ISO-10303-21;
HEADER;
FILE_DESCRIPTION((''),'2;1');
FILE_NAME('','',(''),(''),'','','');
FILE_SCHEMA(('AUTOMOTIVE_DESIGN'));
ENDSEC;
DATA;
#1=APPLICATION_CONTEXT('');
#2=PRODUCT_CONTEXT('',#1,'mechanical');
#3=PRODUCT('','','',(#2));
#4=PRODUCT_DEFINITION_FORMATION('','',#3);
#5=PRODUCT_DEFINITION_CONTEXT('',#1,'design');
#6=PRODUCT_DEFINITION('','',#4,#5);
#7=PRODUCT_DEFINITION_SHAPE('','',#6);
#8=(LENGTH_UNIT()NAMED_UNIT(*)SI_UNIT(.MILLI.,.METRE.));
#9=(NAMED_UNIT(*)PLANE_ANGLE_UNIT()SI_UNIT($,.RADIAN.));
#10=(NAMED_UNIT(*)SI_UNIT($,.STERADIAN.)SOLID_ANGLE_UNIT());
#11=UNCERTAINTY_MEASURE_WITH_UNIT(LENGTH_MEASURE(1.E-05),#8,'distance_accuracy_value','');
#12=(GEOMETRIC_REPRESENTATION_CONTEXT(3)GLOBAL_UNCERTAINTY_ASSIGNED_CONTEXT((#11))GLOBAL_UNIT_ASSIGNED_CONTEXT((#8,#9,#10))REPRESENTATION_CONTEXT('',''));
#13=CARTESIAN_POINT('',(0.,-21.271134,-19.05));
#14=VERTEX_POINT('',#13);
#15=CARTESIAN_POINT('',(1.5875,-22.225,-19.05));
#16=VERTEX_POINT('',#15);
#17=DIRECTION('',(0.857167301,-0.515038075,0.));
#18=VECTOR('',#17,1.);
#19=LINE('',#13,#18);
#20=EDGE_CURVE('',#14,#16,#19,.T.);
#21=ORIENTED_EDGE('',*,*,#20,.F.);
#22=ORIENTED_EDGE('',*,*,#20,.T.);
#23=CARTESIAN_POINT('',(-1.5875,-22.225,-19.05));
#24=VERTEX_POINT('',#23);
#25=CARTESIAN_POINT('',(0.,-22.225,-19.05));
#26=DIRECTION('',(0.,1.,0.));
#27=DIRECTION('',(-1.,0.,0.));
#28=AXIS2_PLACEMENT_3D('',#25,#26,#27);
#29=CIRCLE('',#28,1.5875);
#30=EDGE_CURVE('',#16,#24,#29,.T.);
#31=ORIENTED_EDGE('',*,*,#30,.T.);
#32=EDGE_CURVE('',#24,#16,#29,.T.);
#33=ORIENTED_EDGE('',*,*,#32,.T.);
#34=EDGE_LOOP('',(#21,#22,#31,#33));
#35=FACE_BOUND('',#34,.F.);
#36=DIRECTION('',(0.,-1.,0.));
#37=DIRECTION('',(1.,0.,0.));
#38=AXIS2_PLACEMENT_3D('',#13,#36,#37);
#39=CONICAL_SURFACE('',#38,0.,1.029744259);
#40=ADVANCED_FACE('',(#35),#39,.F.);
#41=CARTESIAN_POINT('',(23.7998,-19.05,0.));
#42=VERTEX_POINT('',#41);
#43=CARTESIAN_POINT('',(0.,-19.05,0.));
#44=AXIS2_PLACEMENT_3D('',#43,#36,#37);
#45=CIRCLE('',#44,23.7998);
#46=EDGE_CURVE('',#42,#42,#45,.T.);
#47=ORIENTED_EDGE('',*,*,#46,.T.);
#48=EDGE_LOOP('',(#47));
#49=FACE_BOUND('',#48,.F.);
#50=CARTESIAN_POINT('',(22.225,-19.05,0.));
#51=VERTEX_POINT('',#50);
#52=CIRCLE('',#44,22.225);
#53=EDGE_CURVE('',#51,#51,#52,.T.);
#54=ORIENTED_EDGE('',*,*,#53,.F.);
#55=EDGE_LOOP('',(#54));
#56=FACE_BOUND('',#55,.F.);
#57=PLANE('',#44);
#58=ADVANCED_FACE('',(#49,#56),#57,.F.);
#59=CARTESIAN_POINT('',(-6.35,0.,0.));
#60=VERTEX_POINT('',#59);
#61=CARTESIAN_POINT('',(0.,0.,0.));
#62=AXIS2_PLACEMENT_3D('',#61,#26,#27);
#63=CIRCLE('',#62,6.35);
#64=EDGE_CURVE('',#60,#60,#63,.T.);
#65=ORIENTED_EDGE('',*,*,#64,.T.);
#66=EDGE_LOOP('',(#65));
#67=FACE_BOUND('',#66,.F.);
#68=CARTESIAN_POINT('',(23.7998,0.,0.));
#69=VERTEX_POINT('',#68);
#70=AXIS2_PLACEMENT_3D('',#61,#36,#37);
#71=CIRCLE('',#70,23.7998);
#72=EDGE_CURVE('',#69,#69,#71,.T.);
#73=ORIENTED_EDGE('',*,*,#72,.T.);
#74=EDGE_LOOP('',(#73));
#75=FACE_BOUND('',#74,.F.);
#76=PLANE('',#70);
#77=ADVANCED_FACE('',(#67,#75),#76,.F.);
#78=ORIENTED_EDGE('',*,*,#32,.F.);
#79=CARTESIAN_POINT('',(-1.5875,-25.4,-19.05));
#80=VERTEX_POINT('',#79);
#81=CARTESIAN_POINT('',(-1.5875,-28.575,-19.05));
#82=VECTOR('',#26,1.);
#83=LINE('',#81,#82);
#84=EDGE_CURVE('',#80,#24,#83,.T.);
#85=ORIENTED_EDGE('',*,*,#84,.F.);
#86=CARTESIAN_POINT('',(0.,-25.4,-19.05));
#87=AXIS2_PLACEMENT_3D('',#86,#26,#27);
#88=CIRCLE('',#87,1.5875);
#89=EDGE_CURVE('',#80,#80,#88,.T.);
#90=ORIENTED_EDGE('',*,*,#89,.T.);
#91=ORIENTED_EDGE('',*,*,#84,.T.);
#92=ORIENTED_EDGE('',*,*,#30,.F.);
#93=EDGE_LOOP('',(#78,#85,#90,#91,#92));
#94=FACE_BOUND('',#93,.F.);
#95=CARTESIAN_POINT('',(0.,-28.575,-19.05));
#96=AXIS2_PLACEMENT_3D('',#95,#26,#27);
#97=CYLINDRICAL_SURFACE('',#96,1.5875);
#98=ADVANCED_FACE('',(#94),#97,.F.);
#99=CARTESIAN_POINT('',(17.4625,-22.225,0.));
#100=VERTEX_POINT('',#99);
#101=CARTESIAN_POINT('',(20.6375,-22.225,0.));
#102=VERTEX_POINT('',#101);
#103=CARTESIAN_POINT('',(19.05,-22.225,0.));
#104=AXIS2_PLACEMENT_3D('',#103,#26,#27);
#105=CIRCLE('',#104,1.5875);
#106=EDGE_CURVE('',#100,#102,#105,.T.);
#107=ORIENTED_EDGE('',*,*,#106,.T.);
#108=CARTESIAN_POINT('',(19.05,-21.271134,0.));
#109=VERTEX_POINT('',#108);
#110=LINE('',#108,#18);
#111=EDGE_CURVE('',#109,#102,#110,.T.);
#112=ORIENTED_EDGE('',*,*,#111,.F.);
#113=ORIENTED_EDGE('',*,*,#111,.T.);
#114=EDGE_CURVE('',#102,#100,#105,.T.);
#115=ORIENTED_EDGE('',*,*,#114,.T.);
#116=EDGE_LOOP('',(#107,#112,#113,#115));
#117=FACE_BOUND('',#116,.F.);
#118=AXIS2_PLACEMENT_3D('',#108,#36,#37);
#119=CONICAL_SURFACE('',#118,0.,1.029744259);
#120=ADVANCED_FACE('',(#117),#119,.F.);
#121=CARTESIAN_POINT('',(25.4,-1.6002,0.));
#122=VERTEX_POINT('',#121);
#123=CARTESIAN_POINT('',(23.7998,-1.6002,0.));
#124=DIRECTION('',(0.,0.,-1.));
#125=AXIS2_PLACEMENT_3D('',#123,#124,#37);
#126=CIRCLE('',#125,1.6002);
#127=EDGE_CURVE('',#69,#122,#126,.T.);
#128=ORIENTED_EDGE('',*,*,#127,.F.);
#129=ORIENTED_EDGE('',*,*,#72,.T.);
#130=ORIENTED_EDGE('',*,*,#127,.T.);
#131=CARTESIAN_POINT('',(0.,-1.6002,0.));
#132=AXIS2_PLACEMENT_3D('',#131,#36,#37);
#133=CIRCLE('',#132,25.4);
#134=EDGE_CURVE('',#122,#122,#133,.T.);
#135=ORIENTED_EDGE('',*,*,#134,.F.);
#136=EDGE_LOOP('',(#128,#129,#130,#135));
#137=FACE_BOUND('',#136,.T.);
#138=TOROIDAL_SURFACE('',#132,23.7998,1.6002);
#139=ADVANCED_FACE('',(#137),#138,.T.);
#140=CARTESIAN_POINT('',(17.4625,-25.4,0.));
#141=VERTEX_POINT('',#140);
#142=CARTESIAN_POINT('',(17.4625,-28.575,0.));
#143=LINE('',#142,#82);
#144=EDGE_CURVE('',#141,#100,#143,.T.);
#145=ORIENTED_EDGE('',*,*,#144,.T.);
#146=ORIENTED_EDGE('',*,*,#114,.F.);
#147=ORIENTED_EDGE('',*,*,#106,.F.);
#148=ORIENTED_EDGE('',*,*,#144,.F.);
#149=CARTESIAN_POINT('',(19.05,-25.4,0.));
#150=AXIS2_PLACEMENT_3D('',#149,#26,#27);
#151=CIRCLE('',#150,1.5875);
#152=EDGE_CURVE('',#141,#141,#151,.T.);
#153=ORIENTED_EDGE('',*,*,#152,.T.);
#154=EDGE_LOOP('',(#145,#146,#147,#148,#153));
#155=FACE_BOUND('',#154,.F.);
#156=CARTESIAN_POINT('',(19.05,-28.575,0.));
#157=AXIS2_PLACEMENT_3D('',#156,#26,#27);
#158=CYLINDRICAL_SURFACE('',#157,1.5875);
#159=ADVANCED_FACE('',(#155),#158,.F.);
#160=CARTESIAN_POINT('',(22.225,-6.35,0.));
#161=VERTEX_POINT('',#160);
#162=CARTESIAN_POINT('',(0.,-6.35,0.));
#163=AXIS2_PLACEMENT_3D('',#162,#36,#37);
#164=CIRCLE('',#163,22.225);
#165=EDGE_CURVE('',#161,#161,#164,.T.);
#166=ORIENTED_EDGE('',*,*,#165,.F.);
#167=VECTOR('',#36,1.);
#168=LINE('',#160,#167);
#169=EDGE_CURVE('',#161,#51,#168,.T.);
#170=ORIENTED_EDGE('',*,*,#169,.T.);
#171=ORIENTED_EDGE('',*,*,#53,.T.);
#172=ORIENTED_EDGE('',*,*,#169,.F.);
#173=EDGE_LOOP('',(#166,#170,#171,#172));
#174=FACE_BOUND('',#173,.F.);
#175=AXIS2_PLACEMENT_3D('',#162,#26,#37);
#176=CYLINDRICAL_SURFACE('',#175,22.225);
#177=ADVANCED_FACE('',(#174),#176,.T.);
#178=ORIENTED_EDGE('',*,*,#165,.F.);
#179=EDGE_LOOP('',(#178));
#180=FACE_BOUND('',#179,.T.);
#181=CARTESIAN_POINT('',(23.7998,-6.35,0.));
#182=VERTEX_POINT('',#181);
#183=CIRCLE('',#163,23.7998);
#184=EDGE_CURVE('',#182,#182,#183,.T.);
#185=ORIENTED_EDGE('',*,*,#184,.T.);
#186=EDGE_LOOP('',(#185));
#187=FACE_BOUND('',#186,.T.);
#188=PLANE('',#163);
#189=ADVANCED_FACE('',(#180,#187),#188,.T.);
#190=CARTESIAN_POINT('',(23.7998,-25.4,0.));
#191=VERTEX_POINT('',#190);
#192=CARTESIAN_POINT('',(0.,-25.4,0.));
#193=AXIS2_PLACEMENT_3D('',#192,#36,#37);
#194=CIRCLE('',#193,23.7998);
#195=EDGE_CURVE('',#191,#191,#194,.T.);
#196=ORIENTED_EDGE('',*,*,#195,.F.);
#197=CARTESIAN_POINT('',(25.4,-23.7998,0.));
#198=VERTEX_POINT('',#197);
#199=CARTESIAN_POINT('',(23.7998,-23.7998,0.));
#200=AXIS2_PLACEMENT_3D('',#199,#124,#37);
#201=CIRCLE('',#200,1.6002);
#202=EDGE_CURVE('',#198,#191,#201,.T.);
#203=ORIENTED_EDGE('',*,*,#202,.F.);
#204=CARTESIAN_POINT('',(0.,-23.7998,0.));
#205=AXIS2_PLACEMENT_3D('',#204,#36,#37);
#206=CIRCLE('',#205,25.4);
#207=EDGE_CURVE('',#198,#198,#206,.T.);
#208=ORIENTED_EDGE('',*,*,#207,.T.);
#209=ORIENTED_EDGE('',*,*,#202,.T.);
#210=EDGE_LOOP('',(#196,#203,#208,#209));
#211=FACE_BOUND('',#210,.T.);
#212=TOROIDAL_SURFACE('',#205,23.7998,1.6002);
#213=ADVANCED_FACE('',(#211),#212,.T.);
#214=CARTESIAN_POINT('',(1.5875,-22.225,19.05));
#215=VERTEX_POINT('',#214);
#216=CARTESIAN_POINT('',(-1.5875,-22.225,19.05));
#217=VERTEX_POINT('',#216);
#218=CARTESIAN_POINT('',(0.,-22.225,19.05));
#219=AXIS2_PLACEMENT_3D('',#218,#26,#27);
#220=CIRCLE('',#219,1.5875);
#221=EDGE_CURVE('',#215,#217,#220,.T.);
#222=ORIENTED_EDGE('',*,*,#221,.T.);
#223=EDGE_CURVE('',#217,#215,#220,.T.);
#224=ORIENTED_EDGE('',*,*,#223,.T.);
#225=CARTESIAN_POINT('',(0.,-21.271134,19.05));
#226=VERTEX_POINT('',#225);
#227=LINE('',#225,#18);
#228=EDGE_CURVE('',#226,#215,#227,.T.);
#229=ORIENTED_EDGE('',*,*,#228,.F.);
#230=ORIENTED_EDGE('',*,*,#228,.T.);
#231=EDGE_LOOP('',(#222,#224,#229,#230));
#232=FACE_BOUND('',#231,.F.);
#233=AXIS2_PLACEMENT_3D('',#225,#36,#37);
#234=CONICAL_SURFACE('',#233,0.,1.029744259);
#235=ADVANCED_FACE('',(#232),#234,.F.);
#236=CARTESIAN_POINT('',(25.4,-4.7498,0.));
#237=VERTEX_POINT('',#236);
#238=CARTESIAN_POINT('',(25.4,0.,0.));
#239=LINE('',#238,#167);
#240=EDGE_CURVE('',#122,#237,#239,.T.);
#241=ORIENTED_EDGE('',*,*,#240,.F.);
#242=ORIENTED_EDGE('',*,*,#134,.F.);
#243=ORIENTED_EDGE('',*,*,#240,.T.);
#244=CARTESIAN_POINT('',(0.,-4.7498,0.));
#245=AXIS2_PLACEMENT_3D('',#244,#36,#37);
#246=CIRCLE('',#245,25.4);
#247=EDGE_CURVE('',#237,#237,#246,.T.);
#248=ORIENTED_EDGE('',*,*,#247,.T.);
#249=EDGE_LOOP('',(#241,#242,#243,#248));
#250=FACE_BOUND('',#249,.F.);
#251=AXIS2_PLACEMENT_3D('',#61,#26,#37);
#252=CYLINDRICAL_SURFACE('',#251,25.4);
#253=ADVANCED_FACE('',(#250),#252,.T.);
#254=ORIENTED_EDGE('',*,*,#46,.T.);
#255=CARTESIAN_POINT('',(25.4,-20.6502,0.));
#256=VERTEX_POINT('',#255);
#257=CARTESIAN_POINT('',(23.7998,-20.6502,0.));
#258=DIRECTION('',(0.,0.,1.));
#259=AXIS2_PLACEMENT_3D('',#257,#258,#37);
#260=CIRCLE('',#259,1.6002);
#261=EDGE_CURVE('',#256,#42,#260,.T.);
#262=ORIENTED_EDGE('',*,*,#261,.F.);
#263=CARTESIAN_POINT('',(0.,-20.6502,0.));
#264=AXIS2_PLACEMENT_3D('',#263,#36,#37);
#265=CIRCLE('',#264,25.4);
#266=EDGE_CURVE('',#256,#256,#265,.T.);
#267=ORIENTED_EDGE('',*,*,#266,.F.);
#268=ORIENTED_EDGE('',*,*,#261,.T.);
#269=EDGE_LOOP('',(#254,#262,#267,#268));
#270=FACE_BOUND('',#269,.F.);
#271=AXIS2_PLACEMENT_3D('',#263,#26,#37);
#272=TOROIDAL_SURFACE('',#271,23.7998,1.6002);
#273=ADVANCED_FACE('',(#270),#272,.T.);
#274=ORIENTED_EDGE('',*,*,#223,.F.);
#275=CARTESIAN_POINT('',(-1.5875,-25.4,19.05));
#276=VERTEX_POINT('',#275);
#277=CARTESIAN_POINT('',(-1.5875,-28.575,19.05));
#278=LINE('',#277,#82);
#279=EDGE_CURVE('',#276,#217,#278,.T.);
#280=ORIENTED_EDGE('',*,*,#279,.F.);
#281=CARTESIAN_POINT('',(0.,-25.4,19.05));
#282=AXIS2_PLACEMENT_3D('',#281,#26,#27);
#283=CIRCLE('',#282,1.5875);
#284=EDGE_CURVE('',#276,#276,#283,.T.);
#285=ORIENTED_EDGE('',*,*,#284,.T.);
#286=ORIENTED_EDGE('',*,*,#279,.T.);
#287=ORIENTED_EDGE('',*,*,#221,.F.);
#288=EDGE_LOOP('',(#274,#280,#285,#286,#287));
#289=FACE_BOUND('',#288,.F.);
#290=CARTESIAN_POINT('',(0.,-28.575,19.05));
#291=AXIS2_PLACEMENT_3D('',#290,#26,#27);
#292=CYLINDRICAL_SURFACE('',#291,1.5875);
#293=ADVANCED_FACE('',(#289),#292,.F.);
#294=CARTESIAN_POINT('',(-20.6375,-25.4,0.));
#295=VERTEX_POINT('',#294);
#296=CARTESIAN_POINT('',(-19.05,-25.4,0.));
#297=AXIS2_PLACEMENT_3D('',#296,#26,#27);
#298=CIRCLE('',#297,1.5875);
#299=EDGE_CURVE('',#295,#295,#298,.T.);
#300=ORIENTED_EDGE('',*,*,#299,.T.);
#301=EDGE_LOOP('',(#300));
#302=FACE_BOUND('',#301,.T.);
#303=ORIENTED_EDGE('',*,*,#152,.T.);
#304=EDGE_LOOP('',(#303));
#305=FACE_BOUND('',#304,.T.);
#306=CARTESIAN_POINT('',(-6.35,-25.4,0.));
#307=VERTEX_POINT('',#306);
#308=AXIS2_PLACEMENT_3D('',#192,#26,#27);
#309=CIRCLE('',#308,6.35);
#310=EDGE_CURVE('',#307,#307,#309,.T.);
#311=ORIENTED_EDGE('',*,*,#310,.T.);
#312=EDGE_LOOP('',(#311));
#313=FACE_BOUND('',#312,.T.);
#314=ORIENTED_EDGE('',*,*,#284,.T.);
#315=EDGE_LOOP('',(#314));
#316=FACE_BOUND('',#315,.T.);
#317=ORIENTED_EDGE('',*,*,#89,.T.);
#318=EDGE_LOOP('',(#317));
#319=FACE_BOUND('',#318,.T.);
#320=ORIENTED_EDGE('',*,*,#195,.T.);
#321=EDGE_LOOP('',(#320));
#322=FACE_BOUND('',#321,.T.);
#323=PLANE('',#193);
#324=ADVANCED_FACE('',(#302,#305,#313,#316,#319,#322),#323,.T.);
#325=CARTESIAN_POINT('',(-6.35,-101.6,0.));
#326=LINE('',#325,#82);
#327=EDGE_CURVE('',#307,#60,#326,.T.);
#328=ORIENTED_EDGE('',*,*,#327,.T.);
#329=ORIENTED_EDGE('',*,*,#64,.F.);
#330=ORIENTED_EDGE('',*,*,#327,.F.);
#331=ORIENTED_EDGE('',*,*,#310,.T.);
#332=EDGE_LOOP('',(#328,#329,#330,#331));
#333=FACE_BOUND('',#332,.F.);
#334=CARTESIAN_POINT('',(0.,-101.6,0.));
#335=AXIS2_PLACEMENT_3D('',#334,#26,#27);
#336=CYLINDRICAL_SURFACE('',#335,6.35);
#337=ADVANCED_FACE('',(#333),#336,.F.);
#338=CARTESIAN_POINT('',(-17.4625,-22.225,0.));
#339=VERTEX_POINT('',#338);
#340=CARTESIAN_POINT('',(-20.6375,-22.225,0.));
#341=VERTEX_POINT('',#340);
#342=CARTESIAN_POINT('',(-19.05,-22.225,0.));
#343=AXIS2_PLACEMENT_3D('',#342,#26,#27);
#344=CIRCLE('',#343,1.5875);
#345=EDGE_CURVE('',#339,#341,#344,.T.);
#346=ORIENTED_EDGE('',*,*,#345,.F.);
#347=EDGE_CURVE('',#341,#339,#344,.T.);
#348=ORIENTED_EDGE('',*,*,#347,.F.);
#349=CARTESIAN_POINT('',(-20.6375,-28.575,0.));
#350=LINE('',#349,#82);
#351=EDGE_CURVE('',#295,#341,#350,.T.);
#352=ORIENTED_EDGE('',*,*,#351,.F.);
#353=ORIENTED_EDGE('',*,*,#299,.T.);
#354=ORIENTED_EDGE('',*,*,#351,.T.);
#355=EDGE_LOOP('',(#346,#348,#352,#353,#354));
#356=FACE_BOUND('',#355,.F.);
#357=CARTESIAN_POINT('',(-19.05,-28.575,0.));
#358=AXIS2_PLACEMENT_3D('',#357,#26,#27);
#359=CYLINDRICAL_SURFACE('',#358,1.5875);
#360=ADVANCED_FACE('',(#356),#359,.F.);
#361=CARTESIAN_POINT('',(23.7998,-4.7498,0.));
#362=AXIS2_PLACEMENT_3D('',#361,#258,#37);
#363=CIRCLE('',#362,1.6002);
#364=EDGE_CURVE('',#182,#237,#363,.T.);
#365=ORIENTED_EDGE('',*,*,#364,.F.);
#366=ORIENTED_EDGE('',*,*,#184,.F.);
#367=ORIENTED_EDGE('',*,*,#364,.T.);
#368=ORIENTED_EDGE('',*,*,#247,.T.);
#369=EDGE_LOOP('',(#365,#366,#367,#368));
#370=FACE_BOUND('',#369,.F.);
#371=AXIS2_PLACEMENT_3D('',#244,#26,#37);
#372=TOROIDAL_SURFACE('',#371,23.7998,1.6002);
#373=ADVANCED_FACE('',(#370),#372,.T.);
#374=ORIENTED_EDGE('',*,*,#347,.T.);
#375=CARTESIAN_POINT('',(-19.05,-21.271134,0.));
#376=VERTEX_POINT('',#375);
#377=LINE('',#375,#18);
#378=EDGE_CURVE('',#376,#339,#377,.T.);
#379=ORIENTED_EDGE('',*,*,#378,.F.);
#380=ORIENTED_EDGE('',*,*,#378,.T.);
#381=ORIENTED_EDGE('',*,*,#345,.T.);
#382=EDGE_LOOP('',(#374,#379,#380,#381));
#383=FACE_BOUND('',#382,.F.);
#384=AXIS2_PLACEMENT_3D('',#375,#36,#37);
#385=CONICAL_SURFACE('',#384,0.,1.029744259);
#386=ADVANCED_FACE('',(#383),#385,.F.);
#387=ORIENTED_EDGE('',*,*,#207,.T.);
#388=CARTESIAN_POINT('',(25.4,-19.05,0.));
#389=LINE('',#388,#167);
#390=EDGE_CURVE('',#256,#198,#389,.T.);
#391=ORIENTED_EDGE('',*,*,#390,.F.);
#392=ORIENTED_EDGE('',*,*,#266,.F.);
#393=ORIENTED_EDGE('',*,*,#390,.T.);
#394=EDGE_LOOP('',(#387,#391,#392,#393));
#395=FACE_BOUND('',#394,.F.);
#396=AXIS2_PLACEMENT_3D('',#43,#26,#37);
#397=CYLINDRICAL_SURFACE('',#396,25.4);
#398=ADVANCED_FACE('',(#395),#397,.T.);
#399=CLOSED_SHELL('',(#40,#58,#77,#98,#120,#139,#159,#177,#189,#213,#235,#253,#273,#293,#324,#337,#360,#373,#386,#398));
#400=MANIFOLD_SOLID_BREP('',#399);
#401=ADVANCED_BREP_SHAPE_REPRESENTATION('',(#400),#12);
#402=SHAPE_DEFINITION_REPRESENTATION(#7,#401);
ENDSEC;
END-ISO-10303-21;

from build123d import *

# Parameters (mm, degrees)
F0_R     = 25.4
F1_DEPTH = 6.35
F2_R     = 22.225
F3_DEPTH = 12.7
F4_R     = 25.4
F5_DEPTH = 6.35
F7_D     = 12.7
F9_D     = 3.175
F9_DEPTH = 3.175
F9_TIP   = 0.9538662327
F10_R    = 1.6002


with BuildPart() as f1:
    # F0 (on Front) → F1 (new body)
    with BuildSketch(Plane.XZ):
        Circle(F0_R)
    extrude(amount=F1_DEPTH)

    # F2 (on face) → F3 (join)
    with BuildSketch(Plane.XZ.offset(6.35)):
        Circle(F2_R)
    extrude(amount=F3_DEPTH)

    # F4 (on face) → F5 (join)
    with BuildSketch(Plane.XZ.offset(19.05)):
        Circle(F4_R)
    extrude(amount=F5_DEPTH)

    # F7 (through all)
    with Locations(Plane.XZ.offset(25.4)):
        with Locations((0, 0)):
            Hole(F7_D / 2)

    # F9
    with Locations(Plane.XZ.offset(25.4)):
        with Locations((0, 19.05), (19.05, 0), (0, -19.05), (-19.05, 0)):
            Hole(F9_D / 2, depth=F9_DEPTH)
            with Locations((0, 0, -(F9_DEPTH + F9_TIP / 2))):  # 118° drill point
                Cone(0, F9_D / 2, F9_TIP, mode=Mode.SUBTRACT)

    # F10
    f10_edges = [f1.edges().sort_by_distance(p)[0] for p in [
        (-25.4, -25.4, 0),
        (-25.4, -19.05, 0),
        (-25.4, -6.35, 0),
        (-25.4, 0, 0),
    ]]
    fillet(f10_edges, radius=F10_R)


solid = f1.part
